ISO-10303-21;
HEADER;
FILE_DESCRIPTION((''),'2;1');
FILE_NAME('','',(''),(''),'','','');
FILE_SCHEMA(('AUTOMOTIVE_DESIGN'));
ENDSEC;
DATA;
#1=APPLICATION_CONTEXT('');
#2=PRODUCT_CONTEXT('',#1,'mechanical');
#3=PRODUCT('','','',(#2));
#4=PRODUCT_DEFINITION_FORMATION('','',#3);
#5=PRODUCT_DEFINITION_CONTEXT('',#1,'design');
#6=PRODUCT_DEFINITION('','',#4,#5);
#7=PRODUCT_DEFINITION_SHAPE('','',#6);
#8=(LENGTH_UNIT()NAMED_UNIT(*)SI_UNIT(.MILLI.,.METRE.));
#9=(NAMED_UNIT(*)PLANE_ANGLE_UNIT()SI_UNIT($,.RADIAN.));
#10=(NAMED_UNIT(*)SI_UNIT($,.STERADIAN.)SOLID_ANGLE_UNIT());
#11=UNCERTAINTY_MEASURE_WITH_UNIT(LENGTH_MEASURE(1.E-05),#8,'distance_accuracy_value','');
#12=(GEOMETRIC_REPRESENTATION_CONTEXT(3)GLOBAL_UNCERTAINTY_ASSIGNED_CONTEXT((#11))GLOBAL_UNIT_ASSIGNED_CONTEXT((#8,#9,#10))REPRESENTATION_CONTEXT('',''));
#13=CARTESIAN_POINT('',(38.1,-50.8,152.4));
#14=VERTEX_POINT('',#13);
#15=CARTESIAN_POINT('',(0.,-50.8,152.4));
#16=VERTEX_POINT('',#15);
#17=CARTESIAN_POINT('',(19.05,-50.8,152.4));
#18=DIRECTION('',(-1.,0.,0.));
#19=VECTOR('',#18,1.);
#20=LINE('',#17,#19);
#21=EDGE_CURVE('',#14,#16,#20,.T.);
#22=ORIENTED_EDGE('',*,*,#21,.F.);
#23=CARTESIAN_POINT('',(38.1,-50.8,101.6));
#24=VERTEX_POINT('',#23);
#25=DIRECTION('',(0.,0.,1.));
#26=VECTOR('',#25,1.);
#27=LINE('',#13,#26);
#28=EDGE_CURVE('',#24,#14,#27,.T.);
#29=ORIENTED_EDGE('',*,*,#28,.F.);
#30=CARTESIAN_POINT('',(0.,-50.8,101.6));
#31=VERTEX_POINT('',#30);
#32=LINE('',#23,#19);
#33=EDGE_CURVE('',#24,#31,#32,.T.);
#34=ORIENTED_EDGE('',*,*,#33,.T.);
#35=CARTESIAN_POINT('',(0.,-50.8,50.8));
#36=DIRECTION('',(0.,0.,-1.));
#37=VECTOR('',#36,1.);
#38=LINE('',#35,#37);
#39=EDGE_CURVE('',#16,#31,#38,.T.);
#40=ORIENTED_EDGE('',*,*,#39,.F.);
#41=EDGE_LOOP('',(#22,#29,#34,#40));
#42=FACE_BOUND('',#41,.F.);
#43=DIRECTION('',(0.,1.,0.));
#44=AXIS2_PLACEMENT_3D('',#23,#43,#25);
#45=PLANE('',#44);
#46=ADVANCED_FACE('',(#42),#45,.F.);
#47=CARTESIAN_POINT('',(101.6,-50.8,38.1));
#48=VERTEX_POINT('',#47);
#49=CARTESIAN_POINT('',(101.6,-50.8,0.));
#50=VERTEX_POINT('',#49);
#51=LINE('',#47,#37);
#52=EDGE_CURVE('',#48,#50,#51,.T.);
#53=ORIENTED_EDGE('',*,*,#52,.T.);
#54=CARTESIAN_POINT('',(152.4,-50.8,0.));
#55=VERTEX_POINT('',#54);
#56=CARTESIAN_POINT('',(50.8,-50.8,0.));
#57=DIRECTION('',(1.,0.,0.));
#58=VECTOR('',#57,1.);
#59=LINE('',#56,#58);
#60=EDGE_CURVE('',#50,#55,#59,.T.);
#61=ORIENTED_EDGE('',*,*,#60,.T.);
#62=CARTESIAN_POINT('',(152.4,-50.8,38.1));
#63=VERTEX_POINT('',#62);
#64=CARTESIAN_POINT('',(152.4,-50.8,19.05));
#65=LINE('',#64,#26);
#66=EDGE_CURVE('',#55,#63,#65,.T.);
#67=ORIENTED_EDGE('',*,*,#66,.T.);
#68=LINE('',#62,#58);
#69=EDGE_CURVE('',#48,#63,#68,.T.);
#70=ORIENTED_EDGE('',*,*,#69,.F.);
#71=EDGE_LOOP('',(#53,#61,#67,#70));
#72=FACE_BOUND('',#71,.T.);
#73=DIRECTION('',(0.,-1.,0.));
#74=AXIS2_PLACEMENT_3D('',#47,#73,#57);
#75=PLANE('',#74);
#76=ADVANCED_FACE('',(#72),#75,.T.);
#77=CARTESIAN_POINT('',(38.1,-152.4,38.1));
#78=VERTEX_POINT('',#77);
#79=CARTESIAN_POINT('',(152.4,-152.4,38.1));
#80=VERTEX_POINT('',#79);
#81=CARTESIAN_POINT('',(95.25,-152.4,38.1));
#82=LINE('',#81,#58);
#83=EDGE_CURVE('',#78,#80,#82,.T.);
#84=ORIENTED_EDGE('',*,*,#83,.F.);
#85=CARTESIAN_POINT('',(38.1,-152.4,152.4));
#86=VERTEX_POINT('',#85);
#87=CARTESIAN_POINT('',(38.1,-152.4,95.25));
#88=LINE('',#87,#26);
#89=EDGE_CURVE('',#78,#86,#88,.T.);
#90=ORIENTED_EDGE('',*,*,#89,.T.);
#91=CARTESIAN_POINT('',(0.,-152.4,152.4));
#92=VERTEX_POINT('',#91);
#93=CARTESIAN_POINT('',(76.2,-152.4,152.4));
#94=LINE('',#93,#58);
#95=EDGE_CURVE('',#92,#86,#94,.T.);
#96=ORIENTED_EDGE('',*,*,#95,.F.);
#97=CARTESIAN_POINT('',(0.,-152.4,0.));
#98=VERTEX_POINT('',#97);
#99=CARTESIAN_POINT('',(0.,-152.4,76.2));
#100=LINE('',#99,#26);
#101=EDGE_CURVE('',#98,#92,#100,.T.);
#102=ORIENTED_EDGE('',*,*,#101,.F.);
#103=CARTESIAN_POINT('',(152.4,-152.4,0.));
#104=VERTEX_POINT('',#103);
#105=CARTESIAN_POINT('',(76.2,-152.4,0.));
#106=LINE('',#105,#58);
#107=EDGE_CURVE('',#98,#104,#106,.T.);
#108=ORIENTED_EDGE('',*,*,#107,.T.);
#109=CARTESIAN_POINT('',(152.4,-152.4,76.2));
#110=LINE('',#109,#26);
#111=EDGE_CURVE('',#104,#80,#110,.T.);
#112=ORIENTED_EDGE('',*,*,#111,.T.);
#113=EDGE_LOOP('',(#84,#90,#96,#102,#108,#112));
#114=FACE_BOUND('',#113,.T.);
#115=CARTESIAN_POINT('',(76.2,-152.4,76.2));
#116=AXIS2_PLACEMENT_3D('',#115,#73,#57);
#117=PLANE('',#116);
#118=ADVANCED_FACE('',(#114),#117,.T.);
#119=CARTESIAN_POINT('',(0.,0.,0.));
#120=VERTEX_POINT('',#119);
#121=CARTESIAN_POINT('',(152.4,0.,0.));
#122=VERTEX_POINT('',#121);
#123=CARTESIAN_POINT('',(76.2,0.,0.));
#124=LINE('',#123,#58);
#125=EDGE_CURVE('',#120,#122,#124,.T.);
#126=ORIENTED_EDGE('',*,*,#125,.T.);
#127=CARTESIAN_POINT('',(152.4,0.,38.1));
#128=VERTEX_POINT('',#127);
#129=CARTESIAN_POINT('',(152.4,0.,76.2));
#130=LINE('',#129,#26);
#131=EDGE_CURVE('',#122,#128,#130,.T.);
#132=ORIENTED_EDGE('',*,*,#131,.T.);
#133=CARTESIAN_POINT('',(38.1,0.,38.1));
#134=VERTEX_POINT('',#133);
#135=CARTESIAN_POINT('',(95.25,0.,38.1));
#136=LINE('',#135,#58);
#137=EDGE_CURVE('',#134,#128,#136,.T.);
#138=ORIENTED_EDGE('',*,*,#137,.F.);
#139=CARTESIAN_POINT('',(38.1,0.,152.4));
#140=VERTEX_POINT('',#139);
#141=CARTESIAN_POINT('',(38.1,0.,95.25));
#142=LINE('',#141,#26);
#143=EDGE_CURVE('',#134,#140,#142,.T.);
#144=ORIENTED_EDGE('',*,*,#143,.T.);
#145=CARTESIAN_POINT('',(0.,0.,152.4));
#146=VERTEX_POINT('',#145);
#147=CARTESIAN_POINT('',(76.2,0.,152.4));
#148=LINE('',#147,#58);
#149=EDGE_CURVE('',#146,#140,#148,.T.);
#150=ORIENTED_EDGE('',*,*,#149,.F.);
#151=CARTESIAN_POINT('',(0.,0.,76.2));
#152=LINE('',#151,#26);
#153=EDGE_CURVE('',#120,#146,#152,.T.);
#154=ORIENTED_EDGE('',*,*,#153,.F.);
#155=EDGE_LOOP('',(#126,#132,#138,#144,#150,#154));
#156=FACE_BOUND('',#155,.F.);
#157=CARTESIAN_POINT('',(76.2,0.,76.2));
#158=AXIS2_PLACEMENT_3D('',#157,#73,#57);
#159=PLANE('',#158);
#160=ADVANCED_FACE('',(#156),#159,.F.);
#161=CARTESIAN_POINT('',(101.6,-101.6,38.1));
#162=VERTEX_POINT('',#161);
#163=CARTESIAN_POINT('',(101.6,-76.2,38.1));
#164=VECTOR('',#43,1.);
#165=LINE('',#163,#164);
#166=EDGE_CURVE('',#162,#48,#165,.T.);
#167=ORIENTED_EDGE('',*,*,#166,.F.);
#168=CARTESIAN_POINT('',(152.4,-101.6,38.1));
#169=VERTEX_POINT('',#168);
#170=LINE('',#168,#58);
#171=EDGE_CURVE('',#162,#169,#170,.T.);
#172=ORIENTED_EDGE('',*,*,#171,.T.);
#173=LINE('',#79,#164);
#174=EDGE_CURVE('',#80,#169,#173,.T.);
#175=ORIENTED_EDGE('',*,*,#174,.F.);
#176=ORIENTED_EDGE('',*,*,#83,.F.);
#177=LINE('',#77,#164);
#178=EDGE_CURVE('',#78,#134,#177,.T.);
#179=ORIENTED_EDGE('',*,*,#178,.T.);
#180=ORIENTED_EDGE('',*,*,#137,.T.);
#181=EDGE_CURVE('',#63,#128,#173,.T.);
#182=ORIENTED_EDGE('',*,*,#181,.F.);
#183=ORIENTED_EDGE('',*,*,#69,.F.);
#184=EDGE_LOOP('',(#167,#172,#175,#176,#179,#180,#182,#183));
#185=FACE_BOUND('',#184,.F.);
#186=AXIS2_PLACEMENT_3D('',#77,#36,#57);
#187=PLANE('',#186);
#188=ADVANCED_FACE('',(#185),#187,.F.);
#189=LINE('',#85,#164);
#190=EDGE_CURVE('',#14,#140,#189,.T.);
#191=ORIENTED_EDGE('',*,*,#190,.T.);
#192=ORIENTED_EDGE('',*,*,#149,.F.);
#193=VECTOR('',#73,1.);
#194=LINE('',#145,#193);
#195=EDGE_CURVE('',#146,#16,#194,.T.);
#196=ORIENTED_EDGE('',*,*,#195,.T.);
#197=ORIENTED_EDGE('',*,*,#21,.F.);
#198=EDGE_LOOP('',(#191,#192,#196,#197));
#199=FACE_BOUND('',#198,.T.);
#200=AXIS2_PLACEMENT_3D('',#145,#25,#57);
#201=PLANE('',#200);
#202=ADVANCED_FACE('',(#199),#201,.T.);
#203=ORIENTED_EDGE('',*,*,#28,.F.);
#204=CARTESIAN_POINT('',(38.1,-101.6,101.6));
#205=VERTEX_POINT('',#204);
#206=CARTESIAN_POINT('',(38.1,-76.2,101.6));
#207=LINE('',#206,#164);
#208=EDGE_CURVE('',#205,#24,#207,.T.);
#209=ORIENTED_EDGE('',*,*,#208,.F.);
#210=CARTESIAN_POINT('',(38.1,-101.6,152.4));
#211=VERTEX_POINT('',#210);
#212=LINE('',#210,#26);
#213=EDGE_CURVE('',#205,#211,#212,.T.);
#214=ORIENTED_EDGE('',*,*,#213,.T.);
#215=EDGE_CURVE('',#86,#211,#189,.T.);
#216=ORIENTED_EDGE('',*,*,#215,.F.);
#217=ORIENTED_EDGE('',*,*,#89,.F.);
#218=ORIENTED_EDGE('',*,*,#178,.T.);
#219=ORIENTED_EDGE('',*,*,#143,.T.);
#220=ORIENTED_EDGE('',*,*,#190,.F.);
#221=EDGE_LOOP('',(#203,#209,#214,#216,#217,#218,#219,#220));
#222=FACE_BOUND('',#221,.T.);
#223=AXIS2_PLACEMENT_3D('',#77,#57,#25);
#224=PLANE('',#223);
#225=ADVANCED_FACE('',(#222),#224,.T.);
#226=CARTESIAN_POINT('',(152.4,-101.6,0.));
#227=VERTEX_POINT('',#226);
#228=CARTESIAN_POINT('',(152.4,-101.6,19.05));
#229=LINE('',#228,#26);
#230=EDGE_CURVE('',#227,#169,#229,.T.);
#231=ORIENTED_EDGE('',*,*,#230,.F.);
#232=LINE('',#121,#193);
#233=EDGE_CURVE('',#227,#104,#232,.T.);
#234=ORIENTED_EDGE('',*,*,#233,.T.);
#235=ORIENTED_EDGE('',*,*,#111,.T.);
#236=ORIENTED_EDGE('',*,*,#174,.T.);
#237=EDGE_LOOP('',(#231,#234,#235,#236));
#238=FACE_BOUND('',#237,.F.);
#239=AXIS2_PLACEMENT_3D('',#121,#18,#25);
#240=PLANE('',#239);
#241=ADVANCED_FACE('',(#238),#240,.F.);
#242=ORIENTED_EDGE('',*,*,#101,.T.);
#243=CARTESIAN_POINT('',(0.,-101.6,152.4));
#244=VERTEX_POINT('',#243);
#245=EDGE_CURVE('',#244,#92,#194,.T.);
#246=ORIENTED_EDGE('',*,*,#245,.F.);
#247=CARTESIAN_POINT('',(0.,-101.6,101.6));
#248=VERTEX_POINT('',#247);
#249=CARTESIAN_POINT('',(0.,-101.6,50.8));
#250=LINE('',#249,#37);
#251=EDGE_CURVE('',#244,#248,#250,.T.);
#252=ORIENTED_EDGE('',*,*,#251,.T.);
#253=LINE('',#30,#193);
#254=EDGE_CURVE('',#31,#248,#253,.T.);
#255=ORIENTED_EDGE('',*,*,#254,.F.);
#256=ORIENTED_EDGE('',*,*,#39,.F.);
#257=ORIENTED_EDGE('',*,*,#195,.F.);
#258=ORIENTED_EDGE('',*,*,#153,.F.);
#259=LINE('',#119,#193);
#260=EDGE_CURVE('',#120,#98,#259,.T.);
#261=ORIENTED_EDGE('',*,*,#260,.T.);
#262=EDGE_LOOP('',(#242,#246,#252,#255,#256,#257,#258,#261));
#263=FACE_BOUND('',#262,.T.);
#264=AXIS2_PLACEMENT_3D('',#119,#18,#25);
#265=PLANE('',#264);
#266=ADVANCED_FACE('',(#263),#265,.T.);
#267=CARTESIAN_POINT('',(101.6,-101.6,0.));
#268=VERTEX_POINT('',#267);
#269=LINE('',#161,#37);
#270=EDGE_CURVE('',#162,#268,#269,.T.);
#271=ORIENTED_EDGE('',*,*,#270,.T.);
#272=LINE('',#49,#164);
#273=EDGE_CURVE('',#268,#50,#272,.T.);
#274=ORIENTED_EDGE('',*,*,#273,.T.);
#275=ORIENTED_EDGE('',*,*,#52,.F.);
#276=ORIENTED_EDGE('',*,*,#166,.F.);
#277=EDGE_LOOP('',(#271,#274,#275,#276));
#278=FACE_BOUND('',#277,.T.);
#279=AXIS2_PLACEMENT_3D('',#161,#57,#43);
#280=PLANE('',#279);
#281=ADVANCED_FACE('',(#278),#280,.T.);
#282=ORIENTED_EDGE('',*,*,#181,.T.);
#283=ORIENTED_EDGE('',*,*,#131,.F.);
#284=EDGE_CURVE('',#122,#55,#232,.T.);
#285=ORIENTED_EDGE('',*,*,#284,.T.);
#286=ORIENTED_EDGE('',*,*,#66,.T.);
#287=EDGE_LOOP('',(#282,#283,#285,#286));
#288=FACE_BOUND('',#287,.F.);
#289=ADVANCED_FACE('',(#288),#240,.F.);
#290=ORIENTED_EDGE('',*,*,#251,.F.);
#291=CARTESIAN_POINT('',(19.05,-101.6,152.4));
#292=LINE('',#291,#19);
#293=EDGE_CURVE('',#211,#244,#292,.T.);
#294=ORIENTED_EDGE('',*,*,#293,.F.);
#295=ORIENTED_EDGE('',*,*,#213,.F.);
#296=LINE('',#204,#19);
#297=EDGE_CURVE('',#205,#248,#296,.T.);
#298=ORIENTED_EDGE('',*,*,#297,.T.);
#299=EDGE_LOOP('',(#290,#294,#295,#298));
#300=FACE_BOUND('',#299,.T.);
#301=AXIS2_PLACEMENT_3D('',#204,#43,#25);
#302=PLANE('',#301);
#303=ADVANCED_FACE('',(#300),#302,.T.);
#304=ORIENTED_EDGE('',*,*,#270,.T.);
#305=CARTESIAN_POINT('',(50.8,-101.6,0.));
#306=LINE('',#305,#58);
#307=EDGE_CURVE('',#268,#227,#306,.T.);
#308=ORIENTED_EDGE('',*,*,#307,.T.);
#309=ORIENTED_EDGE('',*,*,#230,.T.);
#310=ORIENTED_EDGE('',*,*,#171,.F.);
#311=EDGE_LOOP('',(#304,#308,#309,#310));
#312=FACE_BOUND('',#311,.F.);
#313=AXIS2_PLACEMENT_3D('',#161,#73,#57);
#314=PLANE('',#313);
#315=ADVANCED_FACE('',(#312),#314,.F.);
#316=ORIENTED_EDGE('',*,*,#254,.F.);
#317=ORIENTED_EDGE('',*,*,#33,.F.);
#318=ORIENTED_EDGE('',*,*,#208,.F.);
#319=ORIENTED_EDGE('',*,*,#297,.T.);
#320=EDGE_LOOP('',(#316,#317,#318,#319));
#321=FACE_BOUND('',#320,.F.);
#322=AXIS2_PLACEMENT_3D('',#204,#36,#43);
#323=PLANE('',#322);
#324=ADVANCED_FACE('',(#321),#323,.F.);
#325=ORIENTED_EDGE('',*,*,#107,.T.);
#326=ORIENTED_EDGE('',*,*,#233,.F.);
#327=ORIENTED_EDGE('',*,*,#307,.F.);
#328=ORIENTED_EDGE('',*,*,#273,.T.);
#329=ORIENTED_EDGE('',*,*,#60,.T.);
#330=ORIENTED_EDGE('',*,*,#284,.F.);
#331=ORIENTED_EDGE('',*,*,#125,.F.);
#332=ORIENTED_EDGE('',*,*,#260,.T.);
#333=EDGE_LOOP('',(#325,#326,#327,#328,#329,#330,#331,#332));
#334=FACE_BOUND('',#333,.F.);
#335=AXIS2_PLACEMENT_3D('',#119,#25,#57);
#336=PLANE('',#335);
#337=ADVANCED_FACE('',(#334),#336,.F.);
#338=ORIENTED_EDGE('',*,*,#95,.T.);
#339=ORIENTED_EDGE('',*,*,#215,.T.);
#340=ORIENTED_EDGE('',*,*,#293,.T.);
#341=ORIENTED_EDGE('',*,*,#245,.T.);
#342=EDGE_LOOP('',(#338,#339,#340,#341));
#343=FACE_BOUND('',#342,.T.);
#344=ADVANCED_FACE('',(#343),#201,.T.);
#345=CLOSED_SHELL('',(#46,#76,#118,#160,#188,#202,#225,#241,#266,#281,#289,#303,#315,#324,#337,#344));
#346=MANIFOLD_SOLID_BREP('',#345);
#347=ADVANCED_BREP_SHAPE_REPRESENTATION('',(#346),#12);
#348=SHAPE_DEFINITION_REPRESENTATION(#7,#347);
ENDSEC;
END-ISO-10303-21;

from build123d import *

# Parameters (mm, degrees)
F0_W     = 152.4
F0_H     = 152.4
F1_DEPTH = 152.4
F2_W     = 114.3
F2_H     = 114.3
F3_DEPTH = 152.4
F4_W     = 101.6
F4_H     = 50.8
F5_DEPTH = 127
F6_W     = 50.8
F6_H     = 101.6
F7_DEPTH = 127


with BuildPart() as f1:
    # F0 (on Front) → F1 (new body)
    with BuildSketch(Plane.XZ):
        with Locations((76.2, 76.2)):
            Rectangle(F0_W, F0_H)
    extrude(amount=F1_DEPTH)

    # F2 (on face) → F3 (cut)
    with BuildSketch(Plane.XZ.offset(152.4)):
        with Locations((95.25, 95.25)):
            Rectangle(F2_W, F2_H)
    extrude(amount=-F3_DEPTH, mode=Mode.SUBTRACT)

    # F4 (on face) → F5 (cut)
    with BuildSketch(Plane.XY.offset(38.1)):
        with Locations((152.4, -76.2)):
            Rectangle(F4_W, F4_H)
    extrude(amount=-F5_DEPTH, mode=Mode.SUBTRACT)

    # F6 (on face) → F7 (cut)
    with BuildSketch(Plane.YZ.offset(38.1)):
        with Locations((-76.2, 152.4)):
            Rectangle(F6_W, F6_H)
    extrude(amount=-F7_DEPTH, mode=Mode.SUBTRACT)


solid = f1.part
